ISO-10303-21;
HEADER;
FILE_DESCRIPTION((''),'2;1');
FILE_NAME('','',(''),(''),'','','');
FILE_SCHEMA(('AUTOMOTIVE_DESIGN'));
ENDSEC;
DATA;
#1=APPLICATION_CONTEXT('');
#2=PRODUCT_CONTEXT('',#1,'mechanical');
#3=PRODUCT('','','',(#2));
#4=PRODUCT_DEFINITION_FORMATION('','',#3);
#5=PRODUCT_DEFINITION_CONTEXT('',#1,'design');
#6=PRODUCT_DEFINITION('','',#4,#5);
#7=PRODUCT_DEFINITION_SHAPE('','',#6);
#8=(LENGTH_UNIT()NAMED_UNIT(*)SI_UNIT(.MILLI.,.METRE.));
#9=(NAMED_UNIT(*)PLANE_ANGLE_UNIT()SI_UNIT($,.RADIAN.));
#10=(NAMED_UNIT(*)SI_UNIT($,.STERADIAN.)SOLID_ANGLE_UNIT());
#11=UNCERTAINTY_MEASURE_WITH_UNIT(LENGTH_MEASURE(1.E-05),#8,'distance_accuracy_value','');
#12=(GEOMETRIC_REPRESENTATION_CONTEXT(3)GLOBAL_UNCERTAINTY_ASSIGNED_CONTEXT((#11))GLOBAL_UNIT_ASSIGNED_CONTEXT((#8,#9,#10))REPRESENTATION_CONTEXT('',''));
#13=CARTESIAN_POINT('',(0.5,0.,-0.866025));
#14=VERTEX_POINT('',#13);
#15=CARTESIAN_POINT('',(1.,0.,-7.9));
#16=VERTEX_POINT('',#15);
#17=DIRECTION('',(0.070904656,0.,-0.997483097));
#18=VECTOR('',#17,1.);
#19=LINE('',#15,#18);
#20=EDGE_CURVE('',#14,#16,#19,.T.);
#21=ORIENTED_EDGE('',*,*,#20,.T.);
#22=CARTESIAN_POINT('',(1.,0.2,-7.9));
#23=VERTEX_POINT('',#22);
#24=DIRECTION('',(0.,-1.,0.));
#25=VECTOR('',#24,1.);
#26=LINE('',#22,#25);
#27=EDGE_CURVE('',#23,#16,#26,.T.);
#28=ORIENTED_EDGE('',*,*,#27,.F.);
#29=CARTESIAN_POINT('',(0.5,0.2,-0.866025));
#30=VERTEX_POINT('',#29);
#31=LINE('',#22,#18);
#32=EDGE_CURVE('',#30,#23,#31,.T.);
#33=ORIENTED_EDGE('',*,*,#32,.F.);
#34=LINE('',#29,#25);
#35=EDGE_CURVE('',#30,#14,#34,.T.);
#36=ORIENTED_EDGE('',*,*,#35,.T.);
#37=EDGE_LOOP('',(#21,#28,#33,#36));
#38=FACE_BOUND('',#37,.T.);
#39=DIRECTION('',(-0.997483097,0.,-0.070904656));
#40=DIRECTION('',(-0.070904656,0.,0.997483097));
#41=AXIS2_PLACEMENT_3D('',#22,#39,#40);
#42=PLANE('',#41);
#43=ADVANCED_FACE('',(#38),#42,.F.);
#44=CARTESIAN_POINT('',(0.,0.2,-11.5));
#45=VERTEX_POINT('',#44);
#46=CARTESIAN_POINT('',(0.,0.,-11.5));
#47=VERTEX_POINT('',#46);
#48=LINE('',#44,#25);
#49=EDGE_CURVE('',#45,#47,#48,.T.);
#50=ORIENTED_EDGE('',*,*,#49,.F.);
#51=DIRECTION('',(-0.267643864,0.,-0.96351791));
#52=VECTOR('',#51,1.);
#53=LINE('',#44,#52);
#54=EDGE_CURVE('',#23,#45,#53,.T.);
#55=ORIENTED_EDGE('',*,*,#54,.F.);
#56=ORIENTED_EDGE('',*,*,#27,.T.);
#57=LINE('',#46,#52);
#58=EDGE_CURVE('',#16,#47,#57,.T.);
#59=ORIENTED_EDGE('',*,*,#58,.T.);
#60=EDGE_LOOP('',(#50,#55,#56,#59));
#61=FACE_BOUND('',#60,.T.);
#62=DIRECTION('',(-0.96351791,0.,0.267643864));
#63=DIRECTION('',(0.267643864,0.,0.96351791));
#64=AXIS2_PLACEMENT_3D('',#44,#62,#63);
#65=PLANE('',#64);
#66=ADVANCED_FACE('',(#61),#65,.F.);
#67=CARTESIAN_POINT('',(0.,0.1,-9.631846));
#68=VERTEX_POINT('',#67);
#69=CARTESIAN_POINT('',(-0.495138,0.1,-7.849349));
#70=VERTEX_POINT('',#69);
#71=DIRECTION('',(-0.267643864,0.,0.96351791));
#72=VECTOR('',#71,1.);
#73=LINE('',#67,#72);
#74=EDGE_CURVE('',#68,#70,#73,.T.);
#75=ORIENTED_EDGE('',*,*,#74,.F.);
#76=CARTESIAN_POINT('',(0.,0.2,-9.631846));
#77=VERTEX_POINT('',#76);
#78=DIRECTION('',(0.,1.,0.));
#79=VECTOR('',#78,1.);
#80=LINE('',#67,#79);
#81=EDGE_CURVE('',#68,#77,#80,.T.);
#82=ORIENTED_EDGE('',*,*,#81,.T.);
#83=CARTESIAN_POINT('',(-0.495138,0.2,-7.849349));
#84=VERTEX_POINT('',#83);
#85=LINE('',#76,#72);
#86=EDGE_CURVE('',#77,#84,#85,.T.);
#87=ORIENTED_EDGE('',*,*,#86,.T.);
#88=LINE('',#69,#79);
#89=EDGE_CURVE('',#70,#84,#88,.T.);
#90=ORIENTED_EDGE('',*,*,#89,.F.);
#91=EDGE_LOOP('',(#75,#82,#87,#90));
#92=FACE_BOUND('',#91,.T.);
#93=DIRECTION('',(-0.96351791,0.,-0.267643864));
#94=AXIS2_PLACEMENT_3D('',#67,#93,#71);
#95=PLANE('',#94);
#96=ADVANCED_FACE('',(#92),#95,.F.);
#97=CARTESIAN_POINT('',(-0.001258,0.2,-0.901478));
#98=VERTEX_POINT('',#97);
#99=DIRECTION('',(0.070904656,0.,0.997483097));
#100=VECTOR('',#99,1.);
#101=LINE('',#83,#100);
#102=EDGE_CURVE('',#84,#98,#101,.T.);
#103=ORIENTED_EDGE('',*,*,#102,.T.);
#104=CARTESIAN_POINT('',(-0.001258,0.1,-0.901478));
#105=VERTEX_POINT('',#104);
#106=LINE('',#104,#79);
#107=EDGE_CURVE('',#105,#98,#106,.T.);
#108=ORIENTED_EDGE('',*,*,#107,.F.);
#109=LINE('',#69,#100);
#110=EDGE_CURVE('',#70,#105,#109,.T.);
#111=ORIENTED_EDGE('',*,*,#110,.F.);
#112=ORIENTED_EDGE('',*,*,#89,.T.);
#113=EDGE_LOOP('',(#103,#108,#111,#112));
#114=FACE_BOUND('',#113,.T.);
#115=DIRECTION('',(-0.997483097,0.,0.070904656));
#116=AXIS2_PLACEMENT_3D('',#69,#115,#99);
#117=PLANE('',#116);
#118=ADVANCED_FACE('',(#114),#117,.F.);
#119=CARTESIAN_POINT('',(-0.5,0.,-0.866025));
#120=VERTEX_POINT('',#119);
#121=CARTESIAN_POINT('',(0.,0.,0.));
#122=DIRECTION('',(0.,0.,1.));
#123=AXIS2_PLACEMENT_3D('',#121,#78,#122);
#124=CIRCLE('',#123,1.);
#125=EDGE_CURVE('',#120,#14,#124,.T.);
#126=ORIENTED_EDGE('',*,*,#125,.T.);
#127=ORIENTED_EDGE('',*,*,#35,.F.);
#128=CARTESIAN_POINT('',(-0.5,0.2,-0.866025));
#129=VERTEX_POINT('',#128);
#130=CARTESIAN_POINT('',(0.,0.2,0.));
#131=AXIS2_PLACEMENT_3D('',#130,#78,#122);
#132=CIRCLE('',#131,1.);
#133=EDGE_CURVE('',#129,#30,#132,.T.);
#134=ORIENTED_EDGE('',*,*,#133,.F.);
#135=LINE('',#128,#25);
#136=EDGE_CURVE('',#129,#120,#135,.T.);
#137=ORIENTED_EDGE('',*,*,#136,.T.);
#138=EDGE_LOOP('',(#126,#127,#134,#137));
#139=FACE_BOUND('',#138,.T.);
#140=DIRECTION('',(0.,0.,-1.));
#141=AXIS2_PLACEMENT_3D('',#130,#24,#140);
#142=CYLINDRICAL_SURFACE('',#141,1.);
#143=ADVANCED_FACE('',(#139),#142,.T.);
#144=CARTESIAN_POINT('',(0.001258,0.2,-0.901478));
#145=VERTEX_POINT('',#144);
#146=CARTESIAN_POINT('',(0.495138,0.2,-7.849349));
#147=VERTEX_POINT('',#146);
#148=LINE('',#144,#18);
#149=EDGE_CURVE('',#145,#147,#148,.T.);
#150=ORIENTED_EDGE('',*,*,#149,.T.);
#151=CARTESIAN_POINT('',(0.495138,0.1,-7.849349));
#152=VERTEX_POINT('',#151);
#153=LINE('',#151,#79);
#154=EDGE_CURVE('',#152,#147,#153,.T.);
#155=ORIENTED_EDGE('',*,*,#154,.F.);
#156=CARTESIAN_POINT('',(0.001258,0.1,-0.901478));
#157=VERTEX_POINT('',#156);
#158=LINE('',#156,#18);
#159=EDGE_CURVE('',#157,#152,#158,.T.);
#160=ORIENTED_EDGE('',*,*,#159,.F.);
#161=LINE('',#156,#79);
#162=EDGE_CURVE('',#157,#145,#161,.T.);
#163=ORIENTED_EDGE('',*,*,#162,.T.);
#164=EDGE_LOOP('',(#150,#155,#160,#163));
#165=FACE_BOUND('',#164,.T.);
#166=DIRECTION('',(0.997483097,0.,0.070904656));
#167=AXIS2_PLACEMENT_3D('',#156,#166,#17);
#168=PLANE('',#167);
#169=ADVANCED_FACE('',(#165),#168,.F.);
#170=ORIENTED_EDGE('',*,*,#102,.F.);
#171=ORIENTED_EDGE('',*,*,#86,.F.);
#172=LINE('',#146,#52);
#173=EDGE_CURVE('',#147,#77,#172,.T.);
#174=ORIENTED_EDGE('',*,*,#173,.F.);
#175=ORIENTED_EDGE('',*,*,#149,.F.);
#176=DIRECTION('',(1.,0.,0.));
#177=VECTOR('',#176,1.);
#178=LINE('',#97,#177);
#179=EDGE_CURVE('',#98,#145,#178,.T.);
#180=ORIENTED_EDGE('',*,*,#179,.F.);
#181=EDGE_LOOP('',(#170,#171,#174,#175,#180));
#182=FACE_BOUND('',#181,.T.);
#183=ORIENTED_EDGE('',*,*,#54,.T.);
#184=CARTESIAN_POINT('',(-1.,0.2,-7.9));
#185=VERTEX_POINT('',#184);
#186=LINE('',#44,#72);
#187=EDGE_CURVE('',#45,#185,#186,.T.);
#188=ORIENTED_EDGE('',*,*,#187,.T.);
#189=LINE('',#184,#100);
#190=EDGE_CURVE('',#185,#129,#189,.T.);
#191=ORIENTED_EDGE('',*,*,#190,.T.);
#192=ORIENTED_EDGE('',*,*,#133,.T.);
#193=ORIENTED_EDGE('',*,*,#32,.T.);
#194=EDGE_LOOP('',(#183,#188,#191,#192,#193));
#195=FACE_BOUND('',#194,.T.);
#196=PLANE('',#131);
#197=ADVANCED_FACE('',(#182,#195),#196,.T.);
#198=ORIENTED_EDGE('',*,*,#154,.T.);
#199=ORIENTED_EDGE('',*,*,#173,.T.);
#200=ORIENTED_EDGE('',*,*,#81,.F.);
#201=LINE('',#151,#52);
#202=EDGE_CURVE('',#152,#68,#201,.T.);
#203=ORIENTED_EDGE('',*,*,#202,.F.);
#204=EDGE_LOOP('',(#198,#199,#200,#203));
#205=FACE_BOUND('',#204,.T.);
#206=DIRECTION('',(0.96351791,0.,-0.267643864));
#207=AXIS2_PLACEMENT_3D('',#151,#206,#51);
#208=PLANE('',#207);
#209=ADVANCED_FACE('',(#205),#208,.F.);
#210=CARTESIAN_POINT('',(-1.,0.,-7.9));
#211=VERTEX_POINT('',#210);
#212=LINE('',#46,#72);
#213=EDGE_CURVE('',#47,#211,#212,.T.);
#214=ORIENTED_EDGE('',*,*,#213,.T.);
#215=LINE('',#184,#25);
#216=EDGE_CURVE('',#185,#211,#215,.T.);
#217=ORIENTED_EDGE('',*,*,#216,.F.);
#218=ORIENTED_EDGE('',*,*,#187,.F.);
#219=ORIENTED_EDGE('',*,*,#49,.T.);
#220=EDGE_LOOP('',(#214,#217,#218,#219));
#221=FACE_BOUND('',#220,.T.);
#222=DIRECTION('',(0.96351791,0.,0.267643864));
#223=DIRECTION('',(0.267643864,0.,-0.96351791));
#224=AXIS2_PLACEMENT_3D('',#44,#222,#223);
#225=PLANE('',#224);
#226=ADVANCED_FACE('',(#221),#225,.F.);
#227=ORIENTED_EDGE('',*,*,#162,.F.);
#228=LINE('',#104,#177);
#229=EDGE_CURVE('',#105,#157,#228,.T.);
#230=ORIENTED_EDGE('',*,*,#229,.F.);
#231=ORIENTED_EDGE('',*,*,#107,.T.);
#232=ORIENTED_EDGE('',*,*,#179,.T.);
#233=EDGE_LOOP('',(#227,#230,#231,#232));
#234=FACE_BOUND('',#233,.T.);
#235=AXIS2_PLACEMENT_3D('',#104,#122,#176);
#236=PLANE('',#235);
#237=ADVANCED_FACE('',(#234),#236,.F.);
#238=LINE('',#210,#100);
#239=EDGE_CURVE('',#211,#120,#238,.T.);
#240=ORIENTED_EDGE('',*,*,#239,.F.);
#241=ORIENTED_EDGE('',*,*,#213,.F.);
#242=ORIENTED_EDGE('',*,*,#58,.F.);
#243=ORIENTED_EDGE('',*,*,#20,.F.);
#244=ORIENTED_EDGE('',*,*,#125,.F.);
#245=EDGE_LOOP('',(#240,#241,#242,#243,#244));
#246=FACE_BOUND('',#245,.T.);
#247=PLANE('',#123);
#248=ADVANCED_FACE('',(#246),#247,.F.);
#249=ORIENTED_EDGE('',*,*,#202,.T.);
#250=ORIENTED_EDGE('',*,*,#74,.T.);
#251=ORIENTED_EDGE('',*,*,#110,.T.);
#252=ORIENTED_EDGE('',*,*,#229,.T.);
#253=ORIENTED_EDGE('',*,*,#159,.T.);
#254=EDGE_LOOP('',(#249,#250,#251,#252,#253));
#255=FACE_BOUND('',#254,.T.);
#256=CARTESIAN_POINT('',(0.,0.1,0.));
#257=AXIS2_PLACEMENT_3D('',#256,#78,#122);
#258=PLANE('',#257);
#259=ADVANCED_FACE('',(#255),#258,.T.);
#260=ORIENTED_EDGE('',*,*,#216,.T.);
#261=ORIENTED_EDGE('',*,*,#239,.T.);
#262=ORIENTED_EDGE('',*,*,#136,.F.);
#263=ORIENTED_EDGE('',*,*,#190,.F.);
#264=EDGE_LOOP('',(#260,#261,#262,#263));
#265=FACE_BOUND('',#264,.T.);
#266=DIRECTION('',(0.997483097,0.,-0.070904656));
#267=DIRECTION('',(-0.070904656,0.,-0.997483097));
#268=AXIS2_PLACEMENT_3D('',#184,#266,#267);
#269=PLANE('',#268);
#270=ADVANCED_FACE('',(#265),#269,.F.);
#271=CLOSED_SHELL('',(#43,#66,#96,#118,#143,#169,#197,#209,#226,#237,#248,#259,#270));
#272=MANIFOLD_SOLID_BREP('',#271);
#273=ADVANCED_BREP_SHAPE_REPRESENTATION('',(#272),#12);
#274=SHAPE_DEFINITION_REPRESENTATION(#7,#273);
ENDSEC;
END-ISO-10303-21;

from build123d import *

# Parameters (mm, degrees)
EXTRUDE1_DEPTH = 0.2
EXTRUDE2_DEPTH = 0.1


with BuildPart() as part:
    # Sketch1 → Extrude1 (new body)
    with BuildSketch(Plane(origin=(0, 0, 0), x_dir=(1, 0, 0), z_dir=(0, 1, 0))):
        with BuildLine():
            Line((0, 11.5), (1, 7.9))
            Line((1, 7.9), (0.5, 0.866025404))
            ThreePointArc((0.5, 0.866025404), (0, -1), (-0.5, 0.866025404))
            Line((-0.5, 0.866025404), (-1, 7.9))
            Line((-1, 7.9), (0, 11.5))
        make_face()
    extrude(amount=EXTRUDE1_DEPTH)

    # Sketch2 → Extrude2 (cut)
    with BuildSketch(Plane(origin=(0, 0.2, 0), x_dir=(1, 0, 0), z_dir=(0, 1, 0))):
        Polygon((-0.001258451, 0.901477732), (0.001258451, 0.901477732), (0.495137938, 7.849349255), (0, 9.631845831), (-0.495137938, 7.849349255), align=None)
    extrude(amount=-EXTRUDE2_DEPTH, mode=Mode.SUBTRACT)


solid = part.part
